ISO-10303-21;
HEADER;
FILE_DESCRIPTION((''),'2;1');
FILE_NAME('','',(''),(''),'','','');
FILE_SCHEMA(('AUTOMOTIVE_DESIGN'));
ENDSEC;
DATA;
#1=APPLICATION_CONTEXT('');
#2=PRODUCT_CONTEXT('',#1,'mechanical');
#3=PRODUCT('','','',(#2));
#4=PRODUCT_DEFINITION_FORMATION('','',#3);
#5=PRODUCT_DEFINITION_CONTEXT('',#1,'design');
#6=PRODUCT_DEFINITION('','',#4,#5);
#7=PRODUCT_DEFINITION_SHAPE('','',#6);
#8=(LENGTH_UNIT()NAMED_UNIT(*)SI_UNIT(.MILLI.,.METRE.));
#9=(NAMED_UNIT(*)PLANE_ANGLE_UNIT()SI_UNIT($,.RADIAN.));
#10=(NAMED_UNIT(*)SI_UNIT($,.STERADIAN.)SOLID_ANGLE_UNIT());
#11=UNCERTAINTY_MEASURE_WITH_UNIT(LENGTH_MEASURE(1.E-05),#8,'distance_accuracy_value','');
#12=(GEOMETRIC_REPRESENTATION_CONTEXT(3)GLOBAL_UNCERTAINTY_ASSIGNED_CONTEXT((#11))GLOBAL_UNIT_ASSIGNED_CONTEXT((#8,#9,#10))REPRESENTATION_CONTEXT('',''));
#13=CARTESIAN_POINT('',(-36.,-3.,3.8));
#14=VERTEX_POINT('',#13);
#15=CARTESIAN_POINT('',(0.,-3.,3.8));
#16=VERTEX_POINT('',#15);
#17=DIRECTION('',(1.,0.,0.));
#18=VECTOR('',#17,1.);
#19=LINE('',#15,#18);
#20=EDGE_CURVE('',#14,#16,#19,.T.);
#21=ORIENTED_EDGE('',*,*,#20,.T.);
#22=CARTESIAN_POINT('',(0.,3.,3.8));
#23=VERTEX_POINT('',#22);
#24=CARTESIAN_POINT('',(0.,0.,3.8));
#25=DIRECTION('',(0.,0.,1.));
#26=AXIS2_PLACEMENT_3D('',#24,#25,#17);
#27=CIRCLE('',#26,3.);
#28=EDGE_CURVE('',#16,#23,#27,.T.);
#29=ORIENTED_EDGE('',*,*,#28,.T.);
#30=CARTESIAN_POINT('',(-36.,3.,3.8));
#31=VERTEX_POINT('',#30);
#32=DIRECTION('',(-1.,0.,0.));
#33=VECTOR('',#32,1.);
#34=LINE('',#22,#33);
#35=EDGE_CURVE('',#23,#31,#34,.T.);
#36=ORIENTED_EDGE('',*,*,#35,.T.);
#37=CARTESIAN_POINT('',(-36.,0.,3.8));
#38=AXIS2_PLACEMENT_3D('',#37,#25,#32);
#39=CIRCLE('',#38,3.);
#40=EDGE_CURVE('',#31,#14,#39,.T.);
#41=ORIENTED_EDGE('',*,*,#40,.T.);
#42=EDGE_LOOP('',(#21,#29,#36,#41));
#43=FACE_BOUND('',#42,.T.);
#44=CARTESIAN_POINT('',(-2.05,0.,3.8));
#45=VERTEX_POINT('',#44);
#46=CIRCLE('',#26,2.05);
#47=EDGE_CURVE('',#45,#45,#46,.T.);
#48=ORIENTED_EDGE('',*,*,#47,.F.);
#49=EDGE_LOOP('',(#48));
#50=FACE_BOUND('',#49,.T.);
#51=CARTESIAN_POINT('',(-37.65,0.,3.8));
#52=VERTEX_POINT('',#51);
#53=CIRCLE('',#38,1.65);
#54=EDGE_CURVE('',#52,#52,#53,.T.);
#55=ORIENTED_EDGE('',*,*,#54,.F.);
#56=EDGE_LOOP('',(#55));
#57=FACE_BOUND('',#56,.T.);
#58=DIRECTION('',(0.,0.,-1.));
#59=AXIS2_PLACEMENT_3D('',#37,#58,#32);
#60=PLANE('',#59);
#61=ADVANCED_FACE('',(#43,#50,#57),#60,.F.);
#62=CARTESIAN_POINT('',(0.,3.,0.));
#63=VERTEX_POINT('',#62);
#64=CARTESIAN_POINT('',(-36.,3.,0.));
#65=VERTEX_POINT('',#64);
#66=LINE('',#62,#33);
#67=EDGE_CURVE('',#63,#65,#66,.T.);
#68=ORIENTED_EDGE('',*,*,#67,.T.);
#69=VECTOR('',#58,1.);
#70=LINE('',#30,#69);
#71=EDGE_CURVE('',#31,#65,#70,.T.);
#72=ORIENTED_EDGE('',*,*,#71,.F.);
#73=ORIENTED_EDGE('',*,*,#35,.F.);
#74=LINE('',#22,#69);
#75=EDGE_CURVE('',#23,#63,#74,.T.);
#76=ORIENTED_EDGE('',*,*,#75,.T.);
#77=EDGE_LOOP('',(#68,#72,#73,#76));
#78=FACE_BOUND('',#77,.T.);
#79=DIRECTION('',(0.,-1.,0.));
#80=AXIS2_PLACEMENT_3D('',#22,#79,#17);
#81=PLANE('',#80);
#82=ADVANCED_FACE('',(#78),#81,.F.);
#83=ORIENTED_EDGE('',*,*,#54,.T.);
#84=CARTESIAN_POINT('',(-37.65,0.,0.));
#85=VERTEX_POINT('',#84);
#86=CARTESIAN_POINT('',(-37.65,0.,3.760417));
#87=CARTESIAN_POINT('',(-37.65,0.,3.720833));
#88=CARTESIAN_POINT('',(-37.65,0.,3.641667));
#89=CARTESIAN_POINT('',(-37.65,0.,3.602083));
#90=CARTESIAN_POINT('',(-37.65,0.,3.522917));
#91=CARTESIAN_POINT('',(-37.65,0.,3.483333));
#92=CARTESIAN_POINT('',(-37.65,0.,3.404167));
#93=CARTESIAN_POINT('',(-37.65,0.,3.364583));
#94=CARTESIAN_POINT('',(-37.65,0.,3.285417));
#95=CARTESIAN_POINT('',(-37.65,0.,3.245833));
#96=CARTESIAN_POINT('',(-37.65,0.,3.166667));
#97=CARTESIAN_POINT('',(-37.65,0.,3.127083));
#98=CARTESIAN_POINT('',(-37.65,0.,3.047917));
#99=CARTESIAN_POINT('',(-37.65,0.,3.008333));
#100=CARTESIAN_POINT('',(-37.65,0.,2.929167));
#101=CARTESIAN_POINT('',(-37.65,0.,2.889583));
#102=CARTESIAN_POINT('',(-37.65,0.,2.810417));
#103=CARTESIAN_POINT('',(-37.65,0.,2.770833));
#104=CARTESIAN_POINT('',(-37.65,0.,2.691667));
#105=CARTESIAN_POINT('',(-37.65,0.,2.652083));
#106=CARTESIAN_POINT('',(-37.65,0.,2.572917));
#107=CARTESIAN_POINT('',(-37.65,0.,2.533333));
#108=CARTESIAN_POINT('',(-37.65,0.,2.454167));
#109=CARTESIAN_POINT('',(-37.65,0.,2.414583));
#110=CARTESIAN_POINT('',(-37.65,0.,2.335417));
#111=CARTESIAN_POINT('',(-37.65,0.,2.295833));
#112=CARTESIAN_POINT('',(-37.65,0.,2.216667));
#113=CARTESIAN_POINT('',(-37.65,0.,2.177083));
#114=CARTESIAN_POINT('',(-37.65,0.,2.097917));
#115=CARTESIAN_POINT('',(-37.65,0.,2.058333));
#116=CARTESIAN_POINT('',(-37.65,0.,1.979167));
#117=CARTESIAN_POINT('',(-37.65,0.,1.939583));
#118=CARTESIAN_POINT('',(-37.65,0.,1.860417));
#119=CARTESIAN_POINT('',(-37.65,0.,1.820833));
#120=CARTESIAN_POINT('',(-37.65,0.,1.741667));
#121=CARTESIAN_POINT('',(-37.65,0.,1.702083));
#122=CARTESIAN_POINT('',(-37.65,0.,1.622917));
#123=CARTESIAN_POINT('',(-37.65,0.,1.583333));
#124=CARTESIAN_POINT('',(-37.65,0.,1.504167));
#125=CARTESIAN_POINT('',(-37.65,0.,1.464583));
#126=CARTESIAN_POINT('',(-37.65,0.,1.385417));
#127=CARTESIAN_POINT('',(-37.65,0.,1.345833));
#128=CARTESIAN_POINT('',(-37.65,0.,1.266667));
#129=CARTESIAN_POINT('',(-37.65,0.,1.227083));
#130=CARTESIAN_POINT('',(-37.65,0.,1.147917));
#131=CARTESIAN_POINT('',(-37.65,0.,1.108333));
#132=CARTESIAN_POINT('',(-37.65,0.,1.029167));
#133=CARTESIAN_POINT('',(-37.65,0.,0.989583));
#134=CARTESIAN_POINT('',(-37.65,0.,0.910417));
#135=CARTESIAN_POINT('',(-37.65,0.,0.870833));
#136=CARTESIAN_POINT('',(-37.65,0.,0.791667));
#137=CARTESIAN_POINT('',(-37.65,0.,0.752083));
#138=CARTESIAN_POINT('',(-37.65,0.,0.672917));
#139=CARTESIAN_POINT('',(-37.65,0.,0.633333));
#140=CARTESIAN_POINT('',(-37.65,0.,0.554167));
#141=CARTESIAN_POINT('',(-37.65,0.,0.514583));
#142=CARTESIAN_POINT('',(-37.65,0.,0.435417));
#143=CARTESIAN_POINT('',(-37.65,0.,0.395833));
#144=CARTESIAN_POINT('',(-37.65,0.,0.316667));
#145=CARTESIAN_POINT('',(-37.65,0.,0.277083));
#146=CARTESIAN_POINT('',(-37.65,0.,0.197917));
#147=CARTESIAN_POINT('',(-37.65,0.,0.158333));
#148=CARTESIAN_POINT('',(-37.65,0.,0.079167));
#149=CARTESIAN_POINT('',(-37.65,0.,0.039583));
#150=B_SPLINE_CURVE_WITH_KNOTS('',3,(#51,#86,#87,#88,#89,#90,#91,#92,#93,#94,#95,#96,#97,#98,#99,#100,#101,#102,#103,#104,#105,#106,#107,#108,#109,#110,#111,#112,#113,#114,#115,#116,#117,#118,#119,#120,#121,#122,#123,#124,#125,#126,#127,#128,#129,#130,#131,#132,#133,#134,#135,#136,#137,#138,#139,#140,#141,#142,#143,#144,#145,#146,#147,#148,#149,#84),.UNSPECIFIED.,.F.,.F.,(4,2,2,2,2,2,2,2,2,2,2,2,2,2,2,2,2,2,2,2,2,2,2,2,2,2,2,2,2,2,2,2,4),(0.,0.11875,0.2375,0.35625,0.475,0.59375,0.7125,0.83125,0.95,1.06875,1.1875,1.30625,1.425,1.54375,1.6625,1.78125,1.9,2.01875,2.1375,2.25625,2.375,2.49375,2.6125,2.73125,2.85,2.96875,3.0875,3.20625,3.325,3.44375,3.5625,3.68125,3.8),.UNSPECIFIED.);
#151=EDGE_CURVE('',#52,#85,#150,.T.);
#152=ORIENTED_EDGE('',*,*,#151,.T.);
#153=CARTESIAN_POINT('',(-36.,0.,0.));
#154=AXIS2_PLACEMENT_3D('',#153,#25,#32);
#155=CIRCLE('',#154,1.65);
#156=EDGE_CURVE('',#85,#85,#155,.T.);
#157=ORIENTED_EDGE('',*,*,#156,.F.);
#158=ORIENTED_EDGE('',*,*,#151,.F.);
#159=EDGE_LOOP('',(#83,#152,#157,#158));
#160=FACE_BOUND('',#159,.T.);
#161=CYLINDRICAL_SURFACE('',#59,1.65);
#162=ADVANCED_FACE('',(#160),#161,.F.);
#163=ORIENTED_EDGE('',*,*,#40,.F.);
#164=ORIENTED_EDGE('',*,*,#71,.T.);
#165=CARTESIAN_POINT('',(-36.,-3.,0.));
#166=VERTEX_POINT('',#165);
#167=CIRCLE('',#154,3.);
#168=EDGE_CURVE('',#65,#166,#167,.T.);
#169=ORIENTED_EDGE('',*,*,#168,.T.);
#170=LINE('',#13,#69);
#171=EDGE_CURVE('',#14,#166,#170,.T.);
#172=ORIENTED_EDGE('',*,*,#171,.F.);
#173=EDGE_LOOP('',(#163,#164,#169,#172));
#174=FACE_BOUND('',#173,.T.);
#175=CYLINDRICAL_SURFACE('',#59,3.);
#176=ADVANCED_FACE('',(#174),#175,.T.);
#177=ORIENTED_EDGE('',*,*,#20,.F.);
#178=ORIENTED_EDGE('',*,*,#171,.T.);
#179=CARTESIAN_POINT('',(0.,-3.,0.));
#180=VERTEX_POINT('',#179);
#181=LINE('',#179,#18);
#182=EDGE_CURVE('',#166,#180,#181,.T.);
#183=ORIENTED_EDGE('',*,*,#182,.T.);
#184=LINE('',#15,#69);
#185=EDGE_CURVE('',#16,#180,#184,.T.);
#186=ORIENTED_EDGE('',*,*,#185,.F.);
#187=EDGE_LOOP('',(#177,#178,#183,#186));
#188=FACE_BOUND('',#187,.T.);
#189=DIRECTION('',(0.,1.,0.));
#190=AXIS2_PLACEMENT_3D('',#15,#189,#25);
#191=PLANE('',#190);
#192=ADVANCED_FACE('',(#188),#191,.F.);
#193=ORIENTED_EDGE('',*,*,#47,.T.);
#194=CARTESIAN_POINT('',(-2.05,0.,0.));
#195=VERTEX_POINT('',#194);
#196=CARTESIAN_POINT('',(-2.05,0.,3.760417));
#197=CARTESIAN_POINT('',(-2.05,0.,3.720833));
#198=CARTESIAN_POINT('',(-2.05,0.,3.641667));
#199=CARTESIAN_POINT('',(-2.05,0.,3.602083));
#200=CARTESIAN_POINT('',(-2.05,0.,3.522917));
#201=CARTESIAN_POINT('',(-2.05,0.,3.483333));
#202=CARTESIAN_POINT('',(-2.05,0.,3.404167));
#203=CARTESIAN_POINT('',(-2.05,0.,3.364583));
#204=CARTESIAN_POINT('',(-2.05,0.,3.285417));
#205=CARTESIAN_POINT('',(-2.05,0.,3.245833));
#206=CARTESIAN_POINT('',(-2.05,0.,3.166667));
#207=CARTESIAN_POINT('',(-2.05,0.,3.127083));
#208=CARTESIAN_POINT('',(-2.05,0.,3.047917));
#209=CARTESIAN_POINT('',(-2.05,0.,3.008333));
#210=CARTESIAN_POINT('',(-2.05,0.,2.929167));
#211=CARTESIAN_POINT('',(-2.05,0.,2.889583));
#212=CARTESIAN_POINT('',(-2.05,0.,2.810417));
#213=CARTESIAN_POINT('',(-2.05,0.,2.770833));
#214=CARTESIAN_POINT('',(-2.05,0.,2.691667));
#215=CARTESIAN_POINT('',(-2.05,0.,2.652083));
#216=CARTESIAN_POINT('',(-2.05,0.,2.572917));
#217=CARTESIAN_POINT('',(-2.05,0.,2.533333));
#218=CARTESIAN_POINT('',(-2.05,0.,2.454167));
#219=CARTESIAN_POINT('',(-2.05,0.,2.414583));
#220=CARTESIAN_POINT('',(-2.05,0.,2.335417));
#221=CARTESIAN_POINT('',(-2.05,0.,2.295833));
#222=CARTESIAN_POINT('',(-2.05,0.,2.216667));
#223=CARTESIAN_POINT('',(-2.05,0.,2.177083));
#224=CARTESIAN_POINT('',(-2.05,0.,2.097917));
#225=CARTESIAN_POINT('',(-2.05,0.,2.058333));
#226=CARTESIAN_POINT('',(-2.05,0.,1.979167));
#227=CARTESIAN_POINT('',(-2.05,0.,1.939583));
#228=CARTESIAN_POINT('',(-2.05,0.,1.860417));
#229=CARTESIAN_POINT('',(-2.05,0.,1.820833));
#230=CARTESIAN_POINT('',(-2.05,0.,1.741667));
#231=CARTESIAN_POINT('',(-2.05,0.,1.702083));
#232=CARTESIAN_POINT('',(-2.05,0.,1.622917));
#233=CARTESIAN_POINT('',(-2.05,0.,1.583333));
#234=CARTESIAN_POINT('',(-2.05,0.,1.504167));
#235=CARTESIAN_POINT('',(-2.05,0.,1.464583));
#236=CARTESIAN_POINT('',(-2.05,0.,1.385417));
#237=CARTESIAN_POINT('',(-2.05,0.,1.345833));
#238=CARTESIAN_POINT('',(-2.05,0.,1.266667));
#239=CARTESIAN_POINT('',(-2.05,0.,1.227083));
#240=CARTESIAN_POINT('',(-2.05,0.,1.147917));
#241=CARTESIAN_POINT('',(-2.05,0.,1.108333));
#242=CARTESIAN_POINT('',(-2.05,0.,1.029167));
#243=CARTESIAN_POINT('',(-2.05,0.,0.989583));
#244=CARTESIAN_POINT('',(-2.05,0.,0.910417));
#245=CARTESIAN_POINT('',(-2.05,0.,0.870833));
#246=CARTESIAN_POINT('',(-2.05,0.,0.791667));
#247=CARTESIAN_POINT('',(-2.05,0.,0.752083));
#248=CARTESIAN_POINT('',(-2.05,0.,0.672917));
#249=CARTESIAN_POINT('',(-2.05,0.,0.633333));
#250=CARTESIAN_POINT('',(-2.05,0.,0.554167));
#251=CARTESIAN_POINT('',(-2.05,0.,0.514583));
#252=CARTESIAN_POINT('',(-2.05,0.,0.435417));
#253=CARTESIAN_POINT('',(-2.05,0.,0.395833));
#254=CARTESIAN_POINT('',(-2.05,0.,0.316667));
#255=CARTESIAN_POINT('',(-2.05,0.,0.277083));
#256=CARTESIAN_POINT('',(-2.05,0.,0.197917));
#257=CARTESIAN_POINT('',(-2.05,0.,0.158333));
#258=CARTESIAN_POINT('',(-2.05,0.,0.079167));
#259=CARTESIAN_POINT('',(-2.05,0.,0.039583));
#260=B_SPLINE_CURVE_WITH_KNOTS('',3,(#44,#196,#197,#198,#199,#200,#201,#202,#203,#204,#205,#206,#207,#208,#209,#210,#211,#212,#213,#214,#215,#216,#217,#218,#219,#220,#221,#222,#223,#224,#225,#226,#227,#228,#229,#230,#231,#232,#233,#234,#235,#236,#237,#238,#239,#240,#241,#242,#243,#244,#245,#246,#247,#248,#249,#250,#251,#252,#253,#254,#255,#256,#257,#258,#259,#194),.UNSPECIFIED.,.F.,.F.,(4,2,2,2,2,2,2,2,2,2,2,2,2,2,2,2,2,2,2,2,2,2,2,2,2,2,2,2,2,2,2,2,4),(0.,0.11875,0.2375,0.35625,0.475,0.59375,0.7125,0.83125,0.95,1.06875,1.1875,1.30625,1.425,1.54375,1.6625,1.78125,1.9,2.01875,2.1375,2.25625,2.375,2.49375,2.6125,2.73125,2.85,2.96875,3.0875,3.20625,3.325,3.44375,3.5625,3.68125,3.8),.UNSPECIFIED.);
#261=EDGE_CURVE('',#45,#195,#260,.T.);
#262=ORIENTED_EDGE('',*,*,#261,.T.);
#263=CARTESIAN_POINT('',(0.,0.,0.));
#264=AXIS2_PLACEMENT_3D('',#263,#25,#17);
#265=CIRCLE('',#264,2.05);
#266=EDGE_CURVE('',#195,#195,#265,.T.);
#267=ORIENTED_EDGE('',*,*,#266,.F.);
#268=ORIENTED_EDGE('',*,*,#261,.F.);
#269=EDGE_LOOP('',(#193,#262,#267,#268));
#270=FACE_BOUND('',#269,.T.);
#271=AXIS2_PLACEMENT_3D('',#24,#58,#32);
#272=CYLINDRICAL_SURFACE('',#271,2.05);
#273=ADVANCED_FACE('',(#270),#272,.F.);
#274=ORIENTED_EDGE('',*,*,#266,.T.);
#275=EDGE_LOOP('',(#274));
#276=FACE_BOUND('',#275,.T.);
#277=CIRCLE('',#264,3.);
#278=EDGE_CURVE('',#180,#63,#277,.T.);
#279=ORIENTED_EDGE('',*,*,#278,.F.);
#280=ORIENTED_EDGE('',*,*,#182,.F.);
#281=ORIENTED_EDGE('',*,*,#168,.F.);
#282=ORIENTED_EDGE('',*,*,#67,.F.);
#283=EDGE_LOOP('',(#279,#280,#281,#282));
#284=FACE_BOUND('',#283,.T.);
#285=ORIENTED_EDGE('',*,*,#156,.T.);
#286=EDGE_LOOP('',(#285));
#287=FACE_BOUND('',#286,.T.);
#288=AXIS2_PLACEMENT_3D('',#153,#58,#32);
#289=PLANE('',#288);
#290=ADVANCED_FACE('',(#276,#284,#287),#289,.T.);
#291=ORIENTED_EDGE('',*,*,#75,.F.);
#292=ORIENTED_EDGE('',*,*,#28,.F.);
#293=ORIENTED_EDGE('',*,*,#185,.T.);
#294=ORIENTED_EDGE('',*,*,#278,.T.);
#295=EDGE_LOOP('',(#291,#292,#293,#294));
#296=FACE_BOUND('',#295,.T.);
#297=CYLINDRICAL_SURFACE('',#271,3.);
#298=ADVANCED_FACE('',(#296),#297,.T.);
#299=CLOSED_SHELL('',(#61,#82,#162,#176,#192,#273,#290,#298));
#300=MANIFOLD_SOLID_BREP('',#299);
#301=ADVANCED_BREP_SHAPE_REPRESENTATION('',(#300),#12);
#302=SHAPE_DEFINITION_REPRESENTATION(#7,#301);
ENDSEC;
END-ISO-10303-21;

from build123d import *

# Parameters (mm, degrees)
SKETCH1_R           = 2.05
SKETCH1_R_2         = 1.65
BOSS_EXTRUDE1_DEPTH = 3.8


with BuildPart() as part:
    # Sketch1 → Boss-Extrude1 (new body)
    with BuildSketch(Plane.XY):
        with BuildLine():
            Line((0, 3), (-36, 3))
            ThreePointArc((-36, 3), (-39, 0), (-36, -3))
            Line((-36, -3), (0, -3))
            ThreePointArc((0, -3), (3, 0), (0, 3))
        make_face()
        with Locations(Location((0, 0, 0), (0, 0, 180))):
            Circle(SKETCH1_R, mode=Mode.SUBTRACT)
        with Locations(Location((-36, 0, 0), (0, 0, 180))):
            Circle(SKETCH1_R_2, mode=Mode.SUBTRACT)
    extrude(amount=BOSS_EXTRUDE1_DEPTH)


solid = part.part
